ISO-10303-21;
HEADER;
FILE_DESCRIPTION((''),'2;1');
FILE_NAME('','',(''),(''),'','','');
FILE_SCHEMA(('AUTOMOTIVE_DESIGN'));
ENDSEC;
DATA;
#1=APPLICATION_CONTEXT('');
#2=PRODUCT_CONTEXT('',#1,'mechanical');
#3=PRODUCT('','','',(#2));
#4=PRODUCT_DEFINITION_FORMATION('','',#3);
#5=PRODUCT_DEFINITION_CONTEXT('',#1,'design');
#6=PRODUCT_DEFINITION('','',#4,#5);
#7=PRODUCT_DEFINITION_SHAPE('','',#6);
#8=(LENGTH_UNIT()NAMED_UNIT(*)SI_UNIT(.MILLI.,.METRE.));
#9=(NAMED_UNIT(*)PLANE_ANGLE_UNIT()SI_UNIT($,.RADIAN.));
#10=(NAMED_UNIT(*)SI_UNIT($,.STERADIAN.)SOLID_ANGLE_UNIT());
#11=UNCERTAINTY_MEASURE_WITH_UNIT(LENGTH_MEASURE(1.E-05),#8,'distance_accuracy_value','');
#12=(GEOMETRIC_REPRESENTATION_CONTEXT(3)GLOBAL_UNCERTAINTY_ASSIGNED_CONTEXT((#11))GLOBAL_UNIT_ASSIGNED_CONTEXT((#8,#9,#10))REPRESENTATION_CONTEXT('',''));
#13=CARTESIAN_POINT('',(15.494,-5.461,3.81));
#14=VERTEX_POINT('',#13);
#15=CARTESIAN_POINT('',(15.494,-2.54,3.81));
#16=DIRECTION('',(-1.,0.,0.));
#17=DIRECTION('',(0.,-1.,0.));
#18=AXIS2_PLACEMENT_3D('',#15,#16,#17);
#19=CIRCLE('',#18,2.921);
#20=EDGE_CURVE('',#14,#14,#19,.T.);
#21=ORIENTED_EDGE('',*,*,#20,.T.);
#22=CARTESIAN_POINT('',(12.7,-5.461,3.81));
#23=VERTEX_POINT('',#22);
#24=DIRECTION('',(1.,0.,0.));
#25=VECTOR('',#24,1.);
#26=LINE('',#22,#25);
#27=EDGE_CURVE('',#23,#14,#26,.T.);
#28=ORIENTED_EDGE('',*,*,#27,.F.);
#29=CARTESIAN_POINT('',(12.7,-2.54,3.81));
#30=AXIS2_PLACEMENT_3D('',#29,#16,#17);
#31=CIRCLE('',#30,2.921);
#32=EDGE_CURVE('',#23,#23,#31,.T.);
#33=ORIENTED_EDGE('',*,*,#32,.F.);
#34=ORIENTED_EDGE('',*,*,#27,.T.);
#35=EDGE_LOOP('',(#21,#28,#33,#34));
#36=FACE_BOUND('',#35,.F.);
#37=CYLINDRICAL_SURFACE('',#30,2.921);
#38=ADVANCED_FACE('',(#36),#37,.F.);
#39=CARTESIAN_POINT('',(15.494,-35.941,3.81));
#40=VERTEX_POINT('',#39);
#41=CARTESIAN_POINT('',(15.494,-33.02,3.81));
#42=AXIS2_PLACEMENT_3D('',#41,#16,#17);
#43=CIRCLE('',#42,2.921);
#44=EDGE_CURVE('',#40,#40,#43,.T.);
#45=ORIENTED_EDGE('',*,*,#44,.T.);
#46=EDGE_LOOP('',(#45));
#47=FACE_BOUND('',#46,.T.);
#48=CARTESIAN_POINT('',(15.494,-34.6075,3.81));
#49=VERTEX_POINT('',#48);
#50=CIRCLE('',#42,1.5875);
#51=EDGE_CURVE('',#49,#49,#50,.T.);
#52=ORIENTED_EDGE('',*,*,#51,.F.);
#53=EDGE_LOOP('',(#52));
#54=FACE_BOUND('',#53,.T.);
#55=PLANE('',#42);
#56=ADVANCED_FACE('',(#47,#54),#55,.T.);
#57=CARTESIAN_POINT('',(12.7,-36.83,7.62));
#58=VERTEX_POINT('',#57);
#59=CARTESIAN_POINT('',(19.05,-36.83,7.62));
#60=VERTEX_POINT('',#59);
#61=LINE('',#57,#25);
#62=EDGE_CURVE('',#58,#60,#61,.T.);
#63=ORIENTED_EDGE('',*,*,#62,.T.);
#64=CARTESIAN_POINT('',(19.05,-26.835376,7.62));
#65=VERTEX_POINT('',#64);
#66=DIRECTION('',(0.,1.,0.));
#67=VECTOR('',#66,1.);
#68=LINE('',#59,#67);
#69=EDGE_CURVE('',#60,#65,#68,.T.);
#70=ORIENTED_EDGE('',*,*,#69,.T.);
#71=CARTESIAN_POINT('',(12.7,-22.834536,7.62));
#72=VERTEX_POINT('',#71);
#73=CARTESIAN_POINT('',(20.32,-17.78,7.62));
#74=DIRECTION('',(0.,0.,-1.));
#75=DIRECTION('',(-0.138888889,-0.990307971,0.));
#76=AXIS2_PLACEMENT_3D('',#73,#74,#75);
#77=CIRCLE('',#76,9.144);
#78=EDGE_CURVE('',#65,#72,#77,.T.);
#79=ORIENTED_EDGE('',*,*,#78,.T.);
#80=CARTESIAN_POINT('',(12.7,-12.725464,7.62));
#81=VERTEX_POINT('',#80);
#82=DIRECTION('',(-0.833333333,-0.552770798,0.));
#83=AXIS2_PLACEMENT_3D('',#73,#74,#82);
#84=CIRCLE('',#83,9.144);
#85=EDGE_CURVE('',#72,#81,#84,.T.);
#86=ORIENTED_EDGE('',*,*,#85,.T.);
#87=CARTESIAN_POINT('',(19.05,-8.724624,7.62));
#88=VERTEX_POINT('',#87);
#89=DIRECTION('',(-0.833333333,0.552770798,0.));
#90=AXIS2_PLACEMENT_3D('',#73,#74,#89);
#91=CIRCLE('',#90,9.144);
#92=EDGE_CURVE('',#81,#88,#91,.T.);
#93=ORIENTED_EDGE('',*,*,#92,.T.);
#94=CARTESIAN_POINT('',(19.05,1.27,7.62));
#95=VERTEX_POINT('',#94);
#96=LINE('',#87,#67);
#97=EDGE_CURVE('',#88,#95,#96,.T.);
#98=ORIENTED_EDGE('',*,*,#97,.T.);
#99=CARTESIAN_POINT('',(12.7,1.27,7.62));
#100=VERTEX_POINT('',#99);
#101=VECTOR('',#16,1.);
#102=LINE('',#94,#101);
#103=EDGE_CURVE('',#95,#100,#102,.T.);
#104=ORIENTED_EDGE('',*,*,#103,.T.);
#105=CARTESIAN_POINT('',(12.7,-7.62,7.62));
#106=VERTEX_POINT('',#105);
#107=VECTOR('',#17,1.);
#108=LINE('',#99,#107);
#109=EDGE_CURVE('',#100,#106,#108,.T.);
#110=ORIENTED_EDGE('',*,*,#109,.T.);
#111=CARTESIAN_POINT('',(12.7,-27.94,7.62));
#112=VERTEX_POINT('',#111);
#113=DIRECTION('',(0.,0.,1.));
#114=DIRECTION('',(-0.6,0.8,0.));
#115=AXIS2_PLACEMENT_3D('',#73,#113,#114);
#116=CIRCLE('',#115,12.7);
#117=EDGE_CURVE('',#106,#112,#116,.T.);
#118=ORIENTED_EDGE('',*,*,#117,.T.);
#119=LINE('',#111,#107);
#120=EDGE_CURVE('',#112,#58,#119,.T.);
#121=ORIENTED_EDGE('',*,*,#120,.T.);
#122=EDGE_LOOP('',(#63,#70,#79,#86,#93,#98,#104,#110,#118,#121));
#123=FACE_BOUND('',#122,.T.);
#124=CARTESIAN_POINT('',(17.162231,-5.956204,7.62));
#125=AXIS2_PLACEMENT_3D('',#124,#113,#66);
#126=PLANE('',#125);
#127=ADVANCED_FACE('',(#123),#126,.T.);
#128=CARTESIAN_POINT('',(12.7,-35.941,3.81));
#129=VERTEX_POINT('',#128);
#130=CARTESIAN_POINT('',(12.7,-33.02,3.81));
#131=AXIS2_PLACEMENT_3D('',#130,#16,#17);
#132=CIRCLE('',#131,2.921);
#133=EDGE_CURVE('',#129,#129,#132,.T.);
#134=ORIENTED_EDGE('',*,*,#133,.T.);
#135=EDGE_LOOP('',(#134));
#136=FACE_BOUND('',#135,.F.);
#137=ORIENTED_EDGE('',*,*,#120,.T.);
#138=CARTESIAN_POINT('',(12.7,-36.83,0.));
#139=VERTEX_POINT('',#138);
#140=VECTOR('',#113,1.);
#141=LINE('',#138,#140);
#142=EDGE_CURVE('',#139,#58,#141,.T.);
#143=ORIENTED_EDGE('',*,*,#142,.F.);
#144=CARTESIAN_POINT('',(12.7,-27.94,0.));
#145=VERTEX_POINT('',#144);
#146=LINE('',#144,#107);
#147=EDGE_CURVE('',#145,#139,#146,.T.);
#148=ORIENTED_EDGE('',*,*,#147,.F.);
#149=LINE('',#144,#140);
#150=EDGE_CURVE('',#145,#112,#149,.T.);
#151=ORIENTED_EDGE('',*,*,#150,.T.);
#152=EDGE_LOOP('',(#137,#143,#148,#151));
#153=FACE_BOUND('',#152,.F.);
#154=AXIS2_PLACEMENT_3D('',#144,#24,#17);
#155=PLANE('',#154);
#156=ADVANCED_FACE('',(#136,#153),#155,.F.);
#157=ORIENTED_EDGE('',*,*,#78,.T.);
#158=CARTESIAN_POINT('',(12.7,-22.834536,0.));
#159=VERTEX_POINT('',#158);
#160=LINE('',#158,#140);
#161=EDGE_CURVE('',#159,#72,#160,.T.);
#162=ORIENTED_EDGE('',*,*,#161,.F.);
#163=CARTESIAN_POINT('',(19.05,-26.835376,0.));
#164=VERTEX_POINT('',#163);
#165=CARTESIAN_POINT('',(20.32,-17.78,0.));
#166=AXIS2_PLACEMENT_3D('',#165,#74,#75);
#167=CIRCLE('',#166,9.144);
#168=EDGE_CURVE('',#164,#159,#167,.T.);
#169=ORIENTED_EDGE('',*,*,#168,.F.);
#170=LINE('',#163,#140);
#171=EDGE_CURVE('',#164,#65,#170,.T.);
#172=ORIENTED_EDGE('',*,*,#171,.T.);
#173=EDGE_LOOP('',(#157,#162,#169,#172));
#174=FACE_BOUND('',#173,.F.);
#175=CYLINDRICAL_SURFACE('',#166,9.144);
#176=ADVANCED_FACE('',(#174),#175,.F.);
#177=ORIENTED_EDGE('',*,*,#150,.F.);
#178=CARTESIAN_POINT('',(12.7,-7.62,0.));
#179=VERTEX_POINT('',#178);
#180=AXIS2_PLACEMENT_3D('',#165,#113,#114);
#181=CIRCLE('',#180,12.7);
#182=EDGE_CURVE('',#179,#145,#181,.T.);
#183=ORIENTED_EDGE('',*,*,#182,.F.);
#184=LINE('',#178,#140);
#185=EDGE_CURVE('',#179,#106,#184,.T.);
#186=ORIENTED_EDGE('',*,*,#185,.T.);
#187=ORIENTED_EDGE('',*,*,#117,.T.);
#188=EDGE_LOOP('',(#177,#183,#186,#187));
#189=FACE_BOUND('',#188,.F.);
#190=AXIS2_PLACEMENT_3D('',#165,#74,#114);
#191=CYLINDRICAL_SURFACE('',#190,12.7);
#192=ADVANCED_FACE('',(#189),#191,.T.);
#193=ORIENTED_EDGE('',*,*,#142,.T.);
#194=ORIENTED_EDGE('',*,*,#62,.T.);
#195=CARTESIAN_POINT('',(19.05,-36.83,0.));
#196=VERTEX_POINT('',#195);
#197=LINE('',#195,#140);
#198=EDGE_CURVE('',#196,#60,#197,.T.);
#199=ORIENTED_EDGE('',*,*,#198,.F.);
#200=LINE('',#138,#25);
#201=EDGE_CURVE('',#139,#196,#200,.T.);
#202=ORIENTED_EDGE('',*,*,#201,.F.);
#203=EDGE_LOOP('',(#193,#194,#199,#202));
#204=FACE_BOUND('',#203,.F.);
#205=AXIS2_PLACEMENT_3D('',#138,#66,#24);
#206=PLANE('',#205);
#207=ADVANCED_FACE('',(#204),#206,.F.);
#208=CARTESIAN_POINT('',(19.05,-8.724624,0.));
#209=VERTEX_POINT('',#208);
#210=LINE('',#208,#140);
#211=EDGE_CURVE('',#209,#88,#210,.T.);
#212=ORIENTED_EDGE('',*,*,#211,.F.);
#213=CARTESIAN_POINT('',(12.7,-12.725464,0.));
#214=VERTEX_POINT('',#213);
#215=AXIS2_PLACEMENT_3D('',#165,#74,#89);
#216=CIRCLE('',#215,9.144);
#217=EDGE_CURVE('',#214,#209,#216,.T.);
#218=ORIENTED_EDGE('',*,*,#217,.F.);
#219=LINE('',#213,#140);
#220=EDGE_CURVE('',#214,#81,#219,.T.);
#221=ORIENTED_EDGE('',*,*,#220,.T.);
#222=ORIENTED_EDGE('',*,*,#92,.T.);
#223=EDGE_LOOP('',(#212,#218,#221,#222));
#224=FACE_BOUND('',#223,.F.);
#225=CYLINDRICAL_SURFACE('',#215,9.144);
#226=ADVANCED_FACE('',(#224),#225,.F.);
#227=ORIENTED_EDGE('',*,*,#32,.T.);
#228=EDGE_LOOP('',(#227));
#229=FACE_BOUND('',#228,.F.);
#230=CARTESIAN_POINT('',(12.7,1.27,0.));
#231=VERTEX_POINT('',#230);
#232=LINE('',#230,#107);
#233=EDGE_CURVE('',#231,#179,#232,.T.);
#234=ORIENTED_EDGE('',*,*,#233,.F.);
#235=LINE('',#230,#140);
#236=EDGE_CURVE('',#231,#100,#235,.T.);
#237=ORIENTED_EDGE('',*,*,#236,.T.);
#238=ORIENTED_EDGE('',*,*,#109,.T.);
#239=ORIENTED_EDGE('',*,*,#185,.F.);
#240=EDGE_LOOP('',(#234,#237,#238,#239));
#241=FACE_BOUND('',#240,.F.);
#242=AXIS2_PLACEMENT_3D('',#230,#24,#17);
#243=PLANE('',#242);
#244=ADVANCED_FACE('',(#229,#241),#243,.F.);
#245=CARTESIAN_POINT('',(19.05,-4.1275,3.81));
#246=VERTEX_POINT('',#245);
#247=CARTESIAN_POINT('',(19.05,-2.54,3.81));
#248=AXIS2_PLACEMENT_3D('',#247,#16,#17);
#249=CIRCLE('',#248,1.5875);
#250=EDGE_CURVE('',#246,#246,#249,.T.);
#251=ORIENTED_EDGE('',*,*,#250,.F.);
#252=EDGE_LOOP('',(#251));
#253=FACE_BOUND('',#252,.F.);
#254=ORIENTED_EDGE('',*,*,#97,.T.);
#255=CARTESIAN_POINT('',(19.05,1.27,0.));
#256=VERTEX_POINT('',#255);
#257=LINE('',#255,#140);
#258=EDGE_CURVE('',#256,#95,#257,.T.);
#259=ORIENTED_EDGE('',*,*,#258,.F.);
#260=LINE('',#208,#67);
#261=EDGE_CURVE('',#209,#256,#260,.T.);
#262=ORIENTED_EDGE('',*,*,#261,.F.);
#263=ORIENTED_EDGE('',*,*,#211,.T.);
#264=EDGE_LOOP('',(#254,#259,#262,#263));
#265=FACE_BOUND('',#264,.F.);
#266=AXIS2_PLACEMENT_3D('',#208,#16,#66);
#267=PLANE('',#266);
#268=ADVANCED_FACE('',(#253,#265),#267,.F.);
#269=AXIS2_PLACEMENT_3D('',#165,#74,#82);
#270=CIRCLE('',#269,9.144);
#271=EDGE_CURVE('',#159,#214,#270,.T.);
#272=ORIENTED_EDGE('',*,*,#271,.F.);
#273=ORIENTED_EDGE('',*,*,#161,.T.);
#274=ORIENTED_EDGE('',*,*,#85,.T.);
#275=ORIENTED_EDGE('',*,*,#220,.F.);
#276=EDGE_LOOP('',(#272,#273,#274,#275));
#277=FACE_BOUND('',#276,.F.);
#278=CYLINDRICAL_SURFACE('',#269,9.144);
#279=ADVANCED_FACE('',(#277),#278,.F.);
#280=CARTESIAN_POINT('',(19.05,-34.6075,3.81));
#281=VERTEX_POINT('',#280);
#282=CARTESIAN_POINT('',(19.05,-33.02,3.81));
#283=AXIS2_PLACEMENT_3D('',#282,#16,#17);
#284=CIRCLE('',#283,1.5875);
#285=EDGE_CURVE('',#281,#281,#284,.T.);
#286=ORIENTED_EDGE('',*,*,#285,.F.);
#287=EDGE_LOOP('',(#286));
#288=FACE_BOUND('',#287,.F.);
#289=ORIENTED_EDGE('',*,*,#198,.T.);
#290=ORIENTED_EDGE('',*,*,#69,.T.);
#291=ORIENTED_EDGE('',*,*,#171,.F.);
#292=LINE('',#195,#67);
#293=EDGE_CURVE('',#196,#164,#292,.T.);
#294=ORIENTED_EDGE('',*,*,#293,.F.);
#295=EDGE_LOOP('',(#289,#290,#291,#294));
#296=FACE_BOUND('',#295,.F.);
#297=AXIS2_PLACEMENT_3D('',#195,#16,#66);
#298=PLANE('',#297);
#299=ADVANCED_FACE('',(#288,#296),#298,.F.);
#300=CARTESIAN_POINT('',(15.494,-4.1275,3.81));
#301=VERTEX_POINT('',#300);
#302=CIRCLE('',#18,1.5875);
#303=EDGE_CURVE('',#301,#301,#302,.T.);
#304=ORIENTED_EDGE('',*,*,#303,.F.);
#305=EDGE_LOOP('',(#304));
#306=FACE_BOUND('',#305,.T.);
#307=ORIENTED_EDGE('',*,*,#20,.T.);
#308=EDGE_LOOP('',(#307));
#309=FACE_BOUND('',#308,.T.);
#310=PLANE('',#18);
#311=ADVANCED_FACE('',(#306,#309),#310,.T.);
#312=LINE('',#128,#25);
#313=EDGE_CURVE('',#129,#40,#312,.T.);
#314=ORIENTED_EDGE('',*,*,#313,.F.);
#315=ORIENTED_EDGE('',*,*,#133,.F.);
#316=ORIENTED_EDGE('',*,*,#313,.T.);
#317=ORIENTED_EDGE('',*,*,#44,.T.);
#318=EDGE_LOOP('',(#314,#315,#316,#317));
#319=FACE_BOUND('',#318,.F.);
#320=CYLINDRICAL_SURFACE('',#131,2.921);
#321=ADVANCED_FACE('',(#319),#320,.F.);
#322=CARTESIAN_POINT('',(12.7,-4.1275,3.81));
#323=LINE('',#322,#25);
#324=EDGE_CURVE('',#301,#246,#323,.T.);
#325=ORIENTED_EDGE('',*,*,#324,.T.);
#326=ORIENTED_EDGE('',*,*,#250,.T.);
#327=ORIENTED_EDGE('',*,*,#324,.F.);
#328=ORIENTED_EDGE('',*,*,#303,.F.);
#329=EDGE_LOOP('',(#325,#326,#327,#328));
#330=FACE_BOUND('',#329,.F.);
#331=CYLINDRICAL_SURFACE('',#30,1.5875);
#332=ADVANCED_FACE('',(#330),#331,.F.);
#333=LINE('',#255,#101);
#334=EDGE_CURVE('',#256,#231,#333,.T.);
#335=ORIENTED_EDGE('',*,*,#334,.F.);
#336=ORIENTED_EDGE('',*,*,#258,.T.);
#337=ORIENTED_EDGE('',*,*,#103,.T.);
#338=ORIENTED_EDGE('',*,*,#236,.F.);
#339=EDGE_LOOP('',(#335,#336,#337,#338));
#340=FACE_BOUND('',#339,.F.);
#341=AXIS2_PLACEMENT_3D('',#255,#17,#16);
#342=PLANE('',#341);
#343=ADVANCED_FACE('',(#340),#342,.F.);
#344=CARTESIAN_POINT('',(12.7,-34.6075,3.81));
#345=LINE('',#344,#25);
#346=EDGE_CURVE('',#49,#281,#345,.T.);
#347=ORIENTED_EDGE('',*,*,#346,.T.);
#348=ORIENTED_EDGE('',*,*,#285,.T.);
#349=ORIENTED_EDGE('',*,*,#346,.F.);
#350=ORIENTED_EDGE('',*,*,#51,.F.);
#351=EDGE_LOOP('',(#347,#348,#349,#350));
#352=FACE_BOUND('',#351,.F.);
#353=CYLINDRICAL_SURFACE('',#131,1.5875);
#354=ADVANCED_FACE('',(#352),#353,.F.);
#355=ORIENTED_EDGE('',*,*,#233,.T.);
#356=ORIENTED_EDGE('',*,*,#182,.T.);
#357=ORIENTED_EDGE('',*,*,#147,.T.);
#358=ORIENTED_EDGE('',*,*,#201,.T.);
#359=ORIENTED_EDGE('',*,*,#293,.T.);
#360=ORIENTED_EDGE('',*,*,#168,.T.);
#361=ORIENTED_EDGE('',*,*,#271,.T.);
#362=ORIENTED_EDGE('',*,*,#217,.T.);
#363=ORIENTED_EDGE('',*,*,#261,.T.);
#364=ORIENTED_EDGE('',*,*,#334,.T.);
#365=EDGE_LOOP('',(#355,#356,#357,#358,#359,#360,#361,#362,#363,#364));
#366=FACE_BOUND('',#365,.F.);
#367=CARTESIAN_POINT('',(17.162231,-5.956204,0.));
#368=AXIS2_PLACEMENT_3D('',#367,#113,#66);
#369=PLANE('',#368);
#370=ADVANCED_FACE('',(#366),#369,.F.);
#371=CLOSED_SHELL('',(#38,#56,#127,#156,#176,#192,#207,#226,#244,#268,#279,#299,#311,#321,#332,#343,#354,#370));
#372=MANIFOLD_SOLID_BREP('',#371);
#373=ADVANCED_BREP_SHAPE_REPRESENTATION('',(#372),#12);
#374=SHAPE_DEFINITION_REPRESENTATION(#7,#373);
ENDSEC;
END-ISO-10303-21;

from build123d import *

# Parameters (mm, degrees)
F1_DEPTH = 7.62
F2_R     = 1.5875
F3_R     = 1.5875
F4_DEPTH = 25.4
F2_R_2   = 2.921
F3_R_2   = 2.921
F5_DEPTH = 2.794
F6_ANGLE = -90


with BuildPart() as f1:
    # F0 (on Top) → F1 (new body)
    with BuildSketch(Plane.XY):
        with BuildLine():
            Line((11.43, 1.27), (12.6363404513, 1.27))
            ThreePointArc((12.6363404513, 1.27), (12.2207385876, 3.4559439194), (11.43, 5.5358016583))
            Line((11.43, 5.5358016583), (11.43, 1.27))
        make_face()
        with BuildLine():
            ThreePointArc((11.43, 5.5358016583), (12.2207385876, 3.4559439194), (12.6363404513, 1.27))
            Line((12.6363404513, 1.27), (19.05, 1.27))
            Line((19.05, 1.27), (19.05, 7.62))
            Line((19.05, 7.62), (11.43, 7.62))
            Line((11.43, 7.62), (11.43, 5.5358016583))
        make_face()
        with BuildLine():
            Line((11.43, 1.27), (11.43, 5.5358016583))
            ThreePointArc((11.43, 5.5358016583), (10.8451830635, 6.6084797282), (10.16, 7.62))
            Line((10.16, 7.62), (5.0545361805, 7.62))
            ThreePointArc((5.0545361805, 7.62), (7.7364740689, 4.8743927807), (9.0553760827, 1.27))
            Line((9.0553760827, 1.27), (11.43, 1.27))
        make_face()
        with BuildLine():
            ThreePointArc((10.16, 7.62), (10.8451830635, 6.6084797282), (11.43, 5.5358016583))
            Line((11.43, 5.5358016583), (11.43, 7.62))
            Line((11.43, 7.62), (10.16, 7.62))
        make_face()
        with BuildLine():
            Line((5.0545361805, 7.62), (10.16, 7.62))
            ThreePointArc((10.16, 7.62), (0, 12.7), (-10.16, 7.62))
            Line((-10.16, 7.62), (-5.0545361805, 7.62))
            ThreePointArc((-5.0545361805, 7.62), (0, 9.144), (5.0545361805, 7.62))
        make_face()
        with BuildLine():
            Line((-5.0545361805, 7.62), (-10.16, 7.62))
            ThreePointArc((-10.16, 7.62), (-10.8451830635, 6.6084797282), (-11.43, 5.5358016583))
            Line((-11.43, 5.5358016583), (-11.43, 1.27))
            Line((-11.43, 1.27), (-9.0553760827, 1.27))
            ThreePointArc((-9.0553760827, 1.27), (-7.7364740689, 4.8743927807), (-5.0545361805, 7.62))
        make_face()
        with BuildLine():
            ThreePointArc((-11.43, 5.5358016583), (-10.8451830635, 6.6084797282), (-10.16, 7.62))
            Line((-10.16, 7.62), (-11.43, 7.62))
            Line((-11.43, 7.62), (-11.43, 5.5358016583))
        make_face()
        with BuildLine():
            Line((-11.43, 1.27), (-11.43, 5.5358016583))
            ThreePointArc((-11.43, 5.5358016583), (-12.2207385876, 3.4559439194), (-12.6363404513, 1.27))
            Line((-12.6363404513, 1.27), (-11.43, 1.27))
        make_face()
        with BuildLine():
            ThreePointArc((-12.6363404513, 1.27), (-12.2207385876, 3.4559439194), (-11.43, 5.5358016583))
            Line((-11.43, 5.5358016583), (-11.43, 7.62))
            Line((-11.43, 7.62), (-19.05, 7.62))
            Line((-19.05, 7.62), (-19.05, 1.27))
            Line((-19.05, 1.27), (-12.6363404513, 1.27))
        make_face()
    extrude(amount=F1_DEPTH)

    # F2 (on face) + F3 (on face) → F4 (cut)
    with BuildSketch(Plane(origin=(0, 7.62, 0), x_dir=(-1, 0, 0), z_dir=(0, 1, 0))):
        with Locations((-15.24, 3.81)):
            Circle(F2_R)
    with BuildSketch(Plane(origin=(0, 7.62, 0), x_dir=(-1, 0, 0), z_dir=(0, 1, 0))):
        with Locations((15.24, 3.81)):
            Circle(F3_R)
    extrude(amount=-F4_DEPTH, mode=Mode.SUBTRACT)

    # F2 (on face) + F3 (on face) → F5 (cut)
    with BuildSketch(Plane(origin=(0, 7.62, 0), x_dir=(-1, 0, 0), z_dir=(0, 1, 0))):
        with Locations((-15.24, 3.81)):
            Circle(F2_R_2)
        with Locations((-15.24, 3.81)):
            Circle(F2_R, mode=Mode.SUBTRACT)
    with BuildSketch(Plane(origin=(0, 7.62, 0), x_dir=(-1, 0, 0), z_dir=(0, 1, 0))):
        with Locations((15.24, 3.81)):
            Circle(F3_R_2)
        with Locations((15.24, 3.81)):
            Circle(F3_R, mode=Mode.SUBTRACT)
    extrude(amount=-F5_DEPTH, mode=Mode.SUBTRACT)


with BuildPart() as f1_1:
    # F6: moved
    add(f1.part.rotate(Axis((19.05, 1.27, 3.81), (0, 0, -1)), F6_ANGLE))


solid = f1_1.part
